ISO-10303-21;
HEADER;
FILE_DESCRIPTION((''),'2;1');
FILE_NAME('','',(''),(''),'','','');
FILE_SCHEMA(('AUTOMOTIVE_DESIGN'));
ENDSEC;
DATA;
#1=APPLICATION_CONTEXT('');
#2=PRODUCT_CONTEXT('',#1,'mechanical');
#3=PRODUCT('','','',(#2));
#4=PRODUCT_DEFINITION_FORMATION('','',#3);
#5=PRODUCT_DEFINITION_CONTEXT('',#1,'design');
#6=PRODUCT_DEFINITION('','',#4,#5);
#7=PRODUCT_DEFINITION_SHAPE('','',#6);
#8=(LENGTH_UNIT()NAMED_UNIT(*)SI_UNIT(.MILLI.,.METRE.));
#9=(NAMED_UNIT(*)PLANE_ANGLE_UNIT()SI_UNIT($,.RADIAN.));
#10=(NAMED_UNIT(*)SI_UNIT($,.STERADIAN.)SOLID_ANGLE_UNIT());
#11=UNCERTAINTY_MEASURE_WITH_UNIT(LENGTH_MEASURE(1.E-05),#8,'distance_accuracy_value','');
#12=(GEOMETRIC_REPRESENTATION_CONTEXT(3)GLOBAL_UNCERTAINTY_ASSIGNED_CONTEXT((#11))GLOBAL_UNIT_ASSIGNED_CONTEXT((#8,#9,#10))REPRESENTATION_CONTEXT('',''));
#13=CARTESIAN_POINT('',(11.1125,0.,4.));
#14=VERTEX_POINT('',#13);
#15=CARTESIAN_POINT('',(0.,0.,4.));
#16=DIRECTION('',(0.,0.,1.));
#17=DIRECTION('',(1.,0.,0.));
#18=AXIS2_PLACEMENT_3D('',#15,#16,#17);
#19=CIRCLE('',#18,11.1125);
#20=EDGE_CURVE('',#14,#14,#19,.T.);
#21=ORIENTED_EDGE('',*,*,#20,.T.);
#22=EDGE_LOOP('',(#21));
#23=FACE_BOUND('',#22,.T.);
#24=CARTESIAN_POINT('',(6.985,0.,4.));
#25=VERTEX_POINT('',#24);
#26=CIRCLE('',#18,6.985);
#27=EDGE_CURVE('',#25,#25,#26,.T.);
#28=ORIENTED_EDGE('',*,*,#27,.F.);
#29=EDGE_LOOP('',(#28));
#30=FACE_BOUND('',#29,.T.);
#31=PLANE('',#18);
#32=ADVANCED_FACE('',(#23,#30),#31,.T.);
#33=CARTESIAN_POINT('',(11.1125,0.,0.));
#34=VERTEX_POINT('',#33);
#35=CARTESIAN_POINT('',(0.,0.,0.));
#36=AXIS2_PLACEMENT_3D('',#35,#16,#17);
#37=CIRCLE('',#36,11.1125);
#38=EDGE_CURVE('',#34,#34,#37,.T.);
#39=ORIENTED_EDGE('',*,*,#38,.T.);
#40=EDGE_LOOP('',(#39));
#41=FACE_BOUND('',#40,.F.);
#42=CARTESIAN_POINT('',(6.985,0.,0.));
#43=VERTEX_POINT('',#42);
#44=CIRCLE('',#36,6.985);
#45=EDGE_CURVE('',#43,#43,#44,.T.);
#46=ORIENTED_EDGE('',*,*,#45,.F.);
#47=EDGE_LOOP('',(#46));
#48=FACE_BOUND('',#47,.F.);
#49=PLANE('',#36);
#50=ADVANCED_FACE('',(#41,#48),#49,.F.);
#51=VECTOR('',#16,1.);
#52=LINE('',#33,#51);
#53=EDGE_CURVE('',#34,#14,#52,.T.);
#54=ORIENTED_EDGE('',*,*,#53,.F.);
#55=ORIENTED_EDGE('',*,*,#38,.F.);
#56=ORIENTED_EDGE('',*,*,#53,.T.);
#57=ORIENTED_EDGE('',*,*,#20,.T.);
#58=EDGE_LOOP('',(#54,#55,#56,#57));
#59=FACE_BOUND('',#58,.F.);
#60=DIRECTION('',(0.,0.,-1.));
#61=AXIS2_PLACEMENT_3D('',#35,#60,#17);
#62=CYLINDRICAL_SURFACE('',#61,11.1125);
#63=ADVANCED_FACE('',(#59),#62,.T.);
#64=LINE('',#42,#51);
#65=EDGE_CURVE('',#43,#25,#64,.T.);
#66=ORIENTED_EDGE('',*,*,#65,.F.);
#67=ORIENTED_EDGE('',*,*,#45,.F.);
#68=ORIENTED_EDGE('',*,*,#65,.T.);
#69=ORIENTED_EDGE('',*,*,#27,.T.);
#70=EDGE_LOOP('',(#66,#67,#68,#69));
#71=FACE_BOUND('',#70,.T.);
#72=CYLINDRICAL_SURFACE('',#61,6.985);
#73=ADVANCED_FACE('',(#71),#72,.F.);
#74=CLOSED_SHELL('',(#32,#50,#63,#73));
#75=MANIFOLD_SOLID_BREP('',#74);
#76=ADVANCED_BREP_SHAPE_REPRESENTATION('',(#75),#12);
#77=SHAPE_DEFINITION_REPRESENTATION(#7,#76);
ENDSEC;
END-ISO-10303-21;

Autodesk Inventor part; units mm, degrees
ref_plane "YZ Plane" through (0, 0, 0) normal (1, 0, 0) x (0, 1, 0)
ref_plane "XZ Plane" through (0, 0, 0) normal (0, 1, 0) x (-1, 0, 0)
ref_plane "XY Plane" through (0, 0, 0) normal (0, 0, 1) x (1, 0, 0)
sketch "Sketch1" plane through (0, 0, 0) normal (0, 0, 1) x (1, 0, 0)
  circle A0 centre (0, 0) radius 11.1125
  circle A1 centre (0, 0) radius 6.985
  dimension "d0" = 22.225
  dimension "d1" = 13.97
extrude "Extrusion1" add sketch "Sketch1" along normal blind 4
properties part number "polycarb_rudder_ring"
